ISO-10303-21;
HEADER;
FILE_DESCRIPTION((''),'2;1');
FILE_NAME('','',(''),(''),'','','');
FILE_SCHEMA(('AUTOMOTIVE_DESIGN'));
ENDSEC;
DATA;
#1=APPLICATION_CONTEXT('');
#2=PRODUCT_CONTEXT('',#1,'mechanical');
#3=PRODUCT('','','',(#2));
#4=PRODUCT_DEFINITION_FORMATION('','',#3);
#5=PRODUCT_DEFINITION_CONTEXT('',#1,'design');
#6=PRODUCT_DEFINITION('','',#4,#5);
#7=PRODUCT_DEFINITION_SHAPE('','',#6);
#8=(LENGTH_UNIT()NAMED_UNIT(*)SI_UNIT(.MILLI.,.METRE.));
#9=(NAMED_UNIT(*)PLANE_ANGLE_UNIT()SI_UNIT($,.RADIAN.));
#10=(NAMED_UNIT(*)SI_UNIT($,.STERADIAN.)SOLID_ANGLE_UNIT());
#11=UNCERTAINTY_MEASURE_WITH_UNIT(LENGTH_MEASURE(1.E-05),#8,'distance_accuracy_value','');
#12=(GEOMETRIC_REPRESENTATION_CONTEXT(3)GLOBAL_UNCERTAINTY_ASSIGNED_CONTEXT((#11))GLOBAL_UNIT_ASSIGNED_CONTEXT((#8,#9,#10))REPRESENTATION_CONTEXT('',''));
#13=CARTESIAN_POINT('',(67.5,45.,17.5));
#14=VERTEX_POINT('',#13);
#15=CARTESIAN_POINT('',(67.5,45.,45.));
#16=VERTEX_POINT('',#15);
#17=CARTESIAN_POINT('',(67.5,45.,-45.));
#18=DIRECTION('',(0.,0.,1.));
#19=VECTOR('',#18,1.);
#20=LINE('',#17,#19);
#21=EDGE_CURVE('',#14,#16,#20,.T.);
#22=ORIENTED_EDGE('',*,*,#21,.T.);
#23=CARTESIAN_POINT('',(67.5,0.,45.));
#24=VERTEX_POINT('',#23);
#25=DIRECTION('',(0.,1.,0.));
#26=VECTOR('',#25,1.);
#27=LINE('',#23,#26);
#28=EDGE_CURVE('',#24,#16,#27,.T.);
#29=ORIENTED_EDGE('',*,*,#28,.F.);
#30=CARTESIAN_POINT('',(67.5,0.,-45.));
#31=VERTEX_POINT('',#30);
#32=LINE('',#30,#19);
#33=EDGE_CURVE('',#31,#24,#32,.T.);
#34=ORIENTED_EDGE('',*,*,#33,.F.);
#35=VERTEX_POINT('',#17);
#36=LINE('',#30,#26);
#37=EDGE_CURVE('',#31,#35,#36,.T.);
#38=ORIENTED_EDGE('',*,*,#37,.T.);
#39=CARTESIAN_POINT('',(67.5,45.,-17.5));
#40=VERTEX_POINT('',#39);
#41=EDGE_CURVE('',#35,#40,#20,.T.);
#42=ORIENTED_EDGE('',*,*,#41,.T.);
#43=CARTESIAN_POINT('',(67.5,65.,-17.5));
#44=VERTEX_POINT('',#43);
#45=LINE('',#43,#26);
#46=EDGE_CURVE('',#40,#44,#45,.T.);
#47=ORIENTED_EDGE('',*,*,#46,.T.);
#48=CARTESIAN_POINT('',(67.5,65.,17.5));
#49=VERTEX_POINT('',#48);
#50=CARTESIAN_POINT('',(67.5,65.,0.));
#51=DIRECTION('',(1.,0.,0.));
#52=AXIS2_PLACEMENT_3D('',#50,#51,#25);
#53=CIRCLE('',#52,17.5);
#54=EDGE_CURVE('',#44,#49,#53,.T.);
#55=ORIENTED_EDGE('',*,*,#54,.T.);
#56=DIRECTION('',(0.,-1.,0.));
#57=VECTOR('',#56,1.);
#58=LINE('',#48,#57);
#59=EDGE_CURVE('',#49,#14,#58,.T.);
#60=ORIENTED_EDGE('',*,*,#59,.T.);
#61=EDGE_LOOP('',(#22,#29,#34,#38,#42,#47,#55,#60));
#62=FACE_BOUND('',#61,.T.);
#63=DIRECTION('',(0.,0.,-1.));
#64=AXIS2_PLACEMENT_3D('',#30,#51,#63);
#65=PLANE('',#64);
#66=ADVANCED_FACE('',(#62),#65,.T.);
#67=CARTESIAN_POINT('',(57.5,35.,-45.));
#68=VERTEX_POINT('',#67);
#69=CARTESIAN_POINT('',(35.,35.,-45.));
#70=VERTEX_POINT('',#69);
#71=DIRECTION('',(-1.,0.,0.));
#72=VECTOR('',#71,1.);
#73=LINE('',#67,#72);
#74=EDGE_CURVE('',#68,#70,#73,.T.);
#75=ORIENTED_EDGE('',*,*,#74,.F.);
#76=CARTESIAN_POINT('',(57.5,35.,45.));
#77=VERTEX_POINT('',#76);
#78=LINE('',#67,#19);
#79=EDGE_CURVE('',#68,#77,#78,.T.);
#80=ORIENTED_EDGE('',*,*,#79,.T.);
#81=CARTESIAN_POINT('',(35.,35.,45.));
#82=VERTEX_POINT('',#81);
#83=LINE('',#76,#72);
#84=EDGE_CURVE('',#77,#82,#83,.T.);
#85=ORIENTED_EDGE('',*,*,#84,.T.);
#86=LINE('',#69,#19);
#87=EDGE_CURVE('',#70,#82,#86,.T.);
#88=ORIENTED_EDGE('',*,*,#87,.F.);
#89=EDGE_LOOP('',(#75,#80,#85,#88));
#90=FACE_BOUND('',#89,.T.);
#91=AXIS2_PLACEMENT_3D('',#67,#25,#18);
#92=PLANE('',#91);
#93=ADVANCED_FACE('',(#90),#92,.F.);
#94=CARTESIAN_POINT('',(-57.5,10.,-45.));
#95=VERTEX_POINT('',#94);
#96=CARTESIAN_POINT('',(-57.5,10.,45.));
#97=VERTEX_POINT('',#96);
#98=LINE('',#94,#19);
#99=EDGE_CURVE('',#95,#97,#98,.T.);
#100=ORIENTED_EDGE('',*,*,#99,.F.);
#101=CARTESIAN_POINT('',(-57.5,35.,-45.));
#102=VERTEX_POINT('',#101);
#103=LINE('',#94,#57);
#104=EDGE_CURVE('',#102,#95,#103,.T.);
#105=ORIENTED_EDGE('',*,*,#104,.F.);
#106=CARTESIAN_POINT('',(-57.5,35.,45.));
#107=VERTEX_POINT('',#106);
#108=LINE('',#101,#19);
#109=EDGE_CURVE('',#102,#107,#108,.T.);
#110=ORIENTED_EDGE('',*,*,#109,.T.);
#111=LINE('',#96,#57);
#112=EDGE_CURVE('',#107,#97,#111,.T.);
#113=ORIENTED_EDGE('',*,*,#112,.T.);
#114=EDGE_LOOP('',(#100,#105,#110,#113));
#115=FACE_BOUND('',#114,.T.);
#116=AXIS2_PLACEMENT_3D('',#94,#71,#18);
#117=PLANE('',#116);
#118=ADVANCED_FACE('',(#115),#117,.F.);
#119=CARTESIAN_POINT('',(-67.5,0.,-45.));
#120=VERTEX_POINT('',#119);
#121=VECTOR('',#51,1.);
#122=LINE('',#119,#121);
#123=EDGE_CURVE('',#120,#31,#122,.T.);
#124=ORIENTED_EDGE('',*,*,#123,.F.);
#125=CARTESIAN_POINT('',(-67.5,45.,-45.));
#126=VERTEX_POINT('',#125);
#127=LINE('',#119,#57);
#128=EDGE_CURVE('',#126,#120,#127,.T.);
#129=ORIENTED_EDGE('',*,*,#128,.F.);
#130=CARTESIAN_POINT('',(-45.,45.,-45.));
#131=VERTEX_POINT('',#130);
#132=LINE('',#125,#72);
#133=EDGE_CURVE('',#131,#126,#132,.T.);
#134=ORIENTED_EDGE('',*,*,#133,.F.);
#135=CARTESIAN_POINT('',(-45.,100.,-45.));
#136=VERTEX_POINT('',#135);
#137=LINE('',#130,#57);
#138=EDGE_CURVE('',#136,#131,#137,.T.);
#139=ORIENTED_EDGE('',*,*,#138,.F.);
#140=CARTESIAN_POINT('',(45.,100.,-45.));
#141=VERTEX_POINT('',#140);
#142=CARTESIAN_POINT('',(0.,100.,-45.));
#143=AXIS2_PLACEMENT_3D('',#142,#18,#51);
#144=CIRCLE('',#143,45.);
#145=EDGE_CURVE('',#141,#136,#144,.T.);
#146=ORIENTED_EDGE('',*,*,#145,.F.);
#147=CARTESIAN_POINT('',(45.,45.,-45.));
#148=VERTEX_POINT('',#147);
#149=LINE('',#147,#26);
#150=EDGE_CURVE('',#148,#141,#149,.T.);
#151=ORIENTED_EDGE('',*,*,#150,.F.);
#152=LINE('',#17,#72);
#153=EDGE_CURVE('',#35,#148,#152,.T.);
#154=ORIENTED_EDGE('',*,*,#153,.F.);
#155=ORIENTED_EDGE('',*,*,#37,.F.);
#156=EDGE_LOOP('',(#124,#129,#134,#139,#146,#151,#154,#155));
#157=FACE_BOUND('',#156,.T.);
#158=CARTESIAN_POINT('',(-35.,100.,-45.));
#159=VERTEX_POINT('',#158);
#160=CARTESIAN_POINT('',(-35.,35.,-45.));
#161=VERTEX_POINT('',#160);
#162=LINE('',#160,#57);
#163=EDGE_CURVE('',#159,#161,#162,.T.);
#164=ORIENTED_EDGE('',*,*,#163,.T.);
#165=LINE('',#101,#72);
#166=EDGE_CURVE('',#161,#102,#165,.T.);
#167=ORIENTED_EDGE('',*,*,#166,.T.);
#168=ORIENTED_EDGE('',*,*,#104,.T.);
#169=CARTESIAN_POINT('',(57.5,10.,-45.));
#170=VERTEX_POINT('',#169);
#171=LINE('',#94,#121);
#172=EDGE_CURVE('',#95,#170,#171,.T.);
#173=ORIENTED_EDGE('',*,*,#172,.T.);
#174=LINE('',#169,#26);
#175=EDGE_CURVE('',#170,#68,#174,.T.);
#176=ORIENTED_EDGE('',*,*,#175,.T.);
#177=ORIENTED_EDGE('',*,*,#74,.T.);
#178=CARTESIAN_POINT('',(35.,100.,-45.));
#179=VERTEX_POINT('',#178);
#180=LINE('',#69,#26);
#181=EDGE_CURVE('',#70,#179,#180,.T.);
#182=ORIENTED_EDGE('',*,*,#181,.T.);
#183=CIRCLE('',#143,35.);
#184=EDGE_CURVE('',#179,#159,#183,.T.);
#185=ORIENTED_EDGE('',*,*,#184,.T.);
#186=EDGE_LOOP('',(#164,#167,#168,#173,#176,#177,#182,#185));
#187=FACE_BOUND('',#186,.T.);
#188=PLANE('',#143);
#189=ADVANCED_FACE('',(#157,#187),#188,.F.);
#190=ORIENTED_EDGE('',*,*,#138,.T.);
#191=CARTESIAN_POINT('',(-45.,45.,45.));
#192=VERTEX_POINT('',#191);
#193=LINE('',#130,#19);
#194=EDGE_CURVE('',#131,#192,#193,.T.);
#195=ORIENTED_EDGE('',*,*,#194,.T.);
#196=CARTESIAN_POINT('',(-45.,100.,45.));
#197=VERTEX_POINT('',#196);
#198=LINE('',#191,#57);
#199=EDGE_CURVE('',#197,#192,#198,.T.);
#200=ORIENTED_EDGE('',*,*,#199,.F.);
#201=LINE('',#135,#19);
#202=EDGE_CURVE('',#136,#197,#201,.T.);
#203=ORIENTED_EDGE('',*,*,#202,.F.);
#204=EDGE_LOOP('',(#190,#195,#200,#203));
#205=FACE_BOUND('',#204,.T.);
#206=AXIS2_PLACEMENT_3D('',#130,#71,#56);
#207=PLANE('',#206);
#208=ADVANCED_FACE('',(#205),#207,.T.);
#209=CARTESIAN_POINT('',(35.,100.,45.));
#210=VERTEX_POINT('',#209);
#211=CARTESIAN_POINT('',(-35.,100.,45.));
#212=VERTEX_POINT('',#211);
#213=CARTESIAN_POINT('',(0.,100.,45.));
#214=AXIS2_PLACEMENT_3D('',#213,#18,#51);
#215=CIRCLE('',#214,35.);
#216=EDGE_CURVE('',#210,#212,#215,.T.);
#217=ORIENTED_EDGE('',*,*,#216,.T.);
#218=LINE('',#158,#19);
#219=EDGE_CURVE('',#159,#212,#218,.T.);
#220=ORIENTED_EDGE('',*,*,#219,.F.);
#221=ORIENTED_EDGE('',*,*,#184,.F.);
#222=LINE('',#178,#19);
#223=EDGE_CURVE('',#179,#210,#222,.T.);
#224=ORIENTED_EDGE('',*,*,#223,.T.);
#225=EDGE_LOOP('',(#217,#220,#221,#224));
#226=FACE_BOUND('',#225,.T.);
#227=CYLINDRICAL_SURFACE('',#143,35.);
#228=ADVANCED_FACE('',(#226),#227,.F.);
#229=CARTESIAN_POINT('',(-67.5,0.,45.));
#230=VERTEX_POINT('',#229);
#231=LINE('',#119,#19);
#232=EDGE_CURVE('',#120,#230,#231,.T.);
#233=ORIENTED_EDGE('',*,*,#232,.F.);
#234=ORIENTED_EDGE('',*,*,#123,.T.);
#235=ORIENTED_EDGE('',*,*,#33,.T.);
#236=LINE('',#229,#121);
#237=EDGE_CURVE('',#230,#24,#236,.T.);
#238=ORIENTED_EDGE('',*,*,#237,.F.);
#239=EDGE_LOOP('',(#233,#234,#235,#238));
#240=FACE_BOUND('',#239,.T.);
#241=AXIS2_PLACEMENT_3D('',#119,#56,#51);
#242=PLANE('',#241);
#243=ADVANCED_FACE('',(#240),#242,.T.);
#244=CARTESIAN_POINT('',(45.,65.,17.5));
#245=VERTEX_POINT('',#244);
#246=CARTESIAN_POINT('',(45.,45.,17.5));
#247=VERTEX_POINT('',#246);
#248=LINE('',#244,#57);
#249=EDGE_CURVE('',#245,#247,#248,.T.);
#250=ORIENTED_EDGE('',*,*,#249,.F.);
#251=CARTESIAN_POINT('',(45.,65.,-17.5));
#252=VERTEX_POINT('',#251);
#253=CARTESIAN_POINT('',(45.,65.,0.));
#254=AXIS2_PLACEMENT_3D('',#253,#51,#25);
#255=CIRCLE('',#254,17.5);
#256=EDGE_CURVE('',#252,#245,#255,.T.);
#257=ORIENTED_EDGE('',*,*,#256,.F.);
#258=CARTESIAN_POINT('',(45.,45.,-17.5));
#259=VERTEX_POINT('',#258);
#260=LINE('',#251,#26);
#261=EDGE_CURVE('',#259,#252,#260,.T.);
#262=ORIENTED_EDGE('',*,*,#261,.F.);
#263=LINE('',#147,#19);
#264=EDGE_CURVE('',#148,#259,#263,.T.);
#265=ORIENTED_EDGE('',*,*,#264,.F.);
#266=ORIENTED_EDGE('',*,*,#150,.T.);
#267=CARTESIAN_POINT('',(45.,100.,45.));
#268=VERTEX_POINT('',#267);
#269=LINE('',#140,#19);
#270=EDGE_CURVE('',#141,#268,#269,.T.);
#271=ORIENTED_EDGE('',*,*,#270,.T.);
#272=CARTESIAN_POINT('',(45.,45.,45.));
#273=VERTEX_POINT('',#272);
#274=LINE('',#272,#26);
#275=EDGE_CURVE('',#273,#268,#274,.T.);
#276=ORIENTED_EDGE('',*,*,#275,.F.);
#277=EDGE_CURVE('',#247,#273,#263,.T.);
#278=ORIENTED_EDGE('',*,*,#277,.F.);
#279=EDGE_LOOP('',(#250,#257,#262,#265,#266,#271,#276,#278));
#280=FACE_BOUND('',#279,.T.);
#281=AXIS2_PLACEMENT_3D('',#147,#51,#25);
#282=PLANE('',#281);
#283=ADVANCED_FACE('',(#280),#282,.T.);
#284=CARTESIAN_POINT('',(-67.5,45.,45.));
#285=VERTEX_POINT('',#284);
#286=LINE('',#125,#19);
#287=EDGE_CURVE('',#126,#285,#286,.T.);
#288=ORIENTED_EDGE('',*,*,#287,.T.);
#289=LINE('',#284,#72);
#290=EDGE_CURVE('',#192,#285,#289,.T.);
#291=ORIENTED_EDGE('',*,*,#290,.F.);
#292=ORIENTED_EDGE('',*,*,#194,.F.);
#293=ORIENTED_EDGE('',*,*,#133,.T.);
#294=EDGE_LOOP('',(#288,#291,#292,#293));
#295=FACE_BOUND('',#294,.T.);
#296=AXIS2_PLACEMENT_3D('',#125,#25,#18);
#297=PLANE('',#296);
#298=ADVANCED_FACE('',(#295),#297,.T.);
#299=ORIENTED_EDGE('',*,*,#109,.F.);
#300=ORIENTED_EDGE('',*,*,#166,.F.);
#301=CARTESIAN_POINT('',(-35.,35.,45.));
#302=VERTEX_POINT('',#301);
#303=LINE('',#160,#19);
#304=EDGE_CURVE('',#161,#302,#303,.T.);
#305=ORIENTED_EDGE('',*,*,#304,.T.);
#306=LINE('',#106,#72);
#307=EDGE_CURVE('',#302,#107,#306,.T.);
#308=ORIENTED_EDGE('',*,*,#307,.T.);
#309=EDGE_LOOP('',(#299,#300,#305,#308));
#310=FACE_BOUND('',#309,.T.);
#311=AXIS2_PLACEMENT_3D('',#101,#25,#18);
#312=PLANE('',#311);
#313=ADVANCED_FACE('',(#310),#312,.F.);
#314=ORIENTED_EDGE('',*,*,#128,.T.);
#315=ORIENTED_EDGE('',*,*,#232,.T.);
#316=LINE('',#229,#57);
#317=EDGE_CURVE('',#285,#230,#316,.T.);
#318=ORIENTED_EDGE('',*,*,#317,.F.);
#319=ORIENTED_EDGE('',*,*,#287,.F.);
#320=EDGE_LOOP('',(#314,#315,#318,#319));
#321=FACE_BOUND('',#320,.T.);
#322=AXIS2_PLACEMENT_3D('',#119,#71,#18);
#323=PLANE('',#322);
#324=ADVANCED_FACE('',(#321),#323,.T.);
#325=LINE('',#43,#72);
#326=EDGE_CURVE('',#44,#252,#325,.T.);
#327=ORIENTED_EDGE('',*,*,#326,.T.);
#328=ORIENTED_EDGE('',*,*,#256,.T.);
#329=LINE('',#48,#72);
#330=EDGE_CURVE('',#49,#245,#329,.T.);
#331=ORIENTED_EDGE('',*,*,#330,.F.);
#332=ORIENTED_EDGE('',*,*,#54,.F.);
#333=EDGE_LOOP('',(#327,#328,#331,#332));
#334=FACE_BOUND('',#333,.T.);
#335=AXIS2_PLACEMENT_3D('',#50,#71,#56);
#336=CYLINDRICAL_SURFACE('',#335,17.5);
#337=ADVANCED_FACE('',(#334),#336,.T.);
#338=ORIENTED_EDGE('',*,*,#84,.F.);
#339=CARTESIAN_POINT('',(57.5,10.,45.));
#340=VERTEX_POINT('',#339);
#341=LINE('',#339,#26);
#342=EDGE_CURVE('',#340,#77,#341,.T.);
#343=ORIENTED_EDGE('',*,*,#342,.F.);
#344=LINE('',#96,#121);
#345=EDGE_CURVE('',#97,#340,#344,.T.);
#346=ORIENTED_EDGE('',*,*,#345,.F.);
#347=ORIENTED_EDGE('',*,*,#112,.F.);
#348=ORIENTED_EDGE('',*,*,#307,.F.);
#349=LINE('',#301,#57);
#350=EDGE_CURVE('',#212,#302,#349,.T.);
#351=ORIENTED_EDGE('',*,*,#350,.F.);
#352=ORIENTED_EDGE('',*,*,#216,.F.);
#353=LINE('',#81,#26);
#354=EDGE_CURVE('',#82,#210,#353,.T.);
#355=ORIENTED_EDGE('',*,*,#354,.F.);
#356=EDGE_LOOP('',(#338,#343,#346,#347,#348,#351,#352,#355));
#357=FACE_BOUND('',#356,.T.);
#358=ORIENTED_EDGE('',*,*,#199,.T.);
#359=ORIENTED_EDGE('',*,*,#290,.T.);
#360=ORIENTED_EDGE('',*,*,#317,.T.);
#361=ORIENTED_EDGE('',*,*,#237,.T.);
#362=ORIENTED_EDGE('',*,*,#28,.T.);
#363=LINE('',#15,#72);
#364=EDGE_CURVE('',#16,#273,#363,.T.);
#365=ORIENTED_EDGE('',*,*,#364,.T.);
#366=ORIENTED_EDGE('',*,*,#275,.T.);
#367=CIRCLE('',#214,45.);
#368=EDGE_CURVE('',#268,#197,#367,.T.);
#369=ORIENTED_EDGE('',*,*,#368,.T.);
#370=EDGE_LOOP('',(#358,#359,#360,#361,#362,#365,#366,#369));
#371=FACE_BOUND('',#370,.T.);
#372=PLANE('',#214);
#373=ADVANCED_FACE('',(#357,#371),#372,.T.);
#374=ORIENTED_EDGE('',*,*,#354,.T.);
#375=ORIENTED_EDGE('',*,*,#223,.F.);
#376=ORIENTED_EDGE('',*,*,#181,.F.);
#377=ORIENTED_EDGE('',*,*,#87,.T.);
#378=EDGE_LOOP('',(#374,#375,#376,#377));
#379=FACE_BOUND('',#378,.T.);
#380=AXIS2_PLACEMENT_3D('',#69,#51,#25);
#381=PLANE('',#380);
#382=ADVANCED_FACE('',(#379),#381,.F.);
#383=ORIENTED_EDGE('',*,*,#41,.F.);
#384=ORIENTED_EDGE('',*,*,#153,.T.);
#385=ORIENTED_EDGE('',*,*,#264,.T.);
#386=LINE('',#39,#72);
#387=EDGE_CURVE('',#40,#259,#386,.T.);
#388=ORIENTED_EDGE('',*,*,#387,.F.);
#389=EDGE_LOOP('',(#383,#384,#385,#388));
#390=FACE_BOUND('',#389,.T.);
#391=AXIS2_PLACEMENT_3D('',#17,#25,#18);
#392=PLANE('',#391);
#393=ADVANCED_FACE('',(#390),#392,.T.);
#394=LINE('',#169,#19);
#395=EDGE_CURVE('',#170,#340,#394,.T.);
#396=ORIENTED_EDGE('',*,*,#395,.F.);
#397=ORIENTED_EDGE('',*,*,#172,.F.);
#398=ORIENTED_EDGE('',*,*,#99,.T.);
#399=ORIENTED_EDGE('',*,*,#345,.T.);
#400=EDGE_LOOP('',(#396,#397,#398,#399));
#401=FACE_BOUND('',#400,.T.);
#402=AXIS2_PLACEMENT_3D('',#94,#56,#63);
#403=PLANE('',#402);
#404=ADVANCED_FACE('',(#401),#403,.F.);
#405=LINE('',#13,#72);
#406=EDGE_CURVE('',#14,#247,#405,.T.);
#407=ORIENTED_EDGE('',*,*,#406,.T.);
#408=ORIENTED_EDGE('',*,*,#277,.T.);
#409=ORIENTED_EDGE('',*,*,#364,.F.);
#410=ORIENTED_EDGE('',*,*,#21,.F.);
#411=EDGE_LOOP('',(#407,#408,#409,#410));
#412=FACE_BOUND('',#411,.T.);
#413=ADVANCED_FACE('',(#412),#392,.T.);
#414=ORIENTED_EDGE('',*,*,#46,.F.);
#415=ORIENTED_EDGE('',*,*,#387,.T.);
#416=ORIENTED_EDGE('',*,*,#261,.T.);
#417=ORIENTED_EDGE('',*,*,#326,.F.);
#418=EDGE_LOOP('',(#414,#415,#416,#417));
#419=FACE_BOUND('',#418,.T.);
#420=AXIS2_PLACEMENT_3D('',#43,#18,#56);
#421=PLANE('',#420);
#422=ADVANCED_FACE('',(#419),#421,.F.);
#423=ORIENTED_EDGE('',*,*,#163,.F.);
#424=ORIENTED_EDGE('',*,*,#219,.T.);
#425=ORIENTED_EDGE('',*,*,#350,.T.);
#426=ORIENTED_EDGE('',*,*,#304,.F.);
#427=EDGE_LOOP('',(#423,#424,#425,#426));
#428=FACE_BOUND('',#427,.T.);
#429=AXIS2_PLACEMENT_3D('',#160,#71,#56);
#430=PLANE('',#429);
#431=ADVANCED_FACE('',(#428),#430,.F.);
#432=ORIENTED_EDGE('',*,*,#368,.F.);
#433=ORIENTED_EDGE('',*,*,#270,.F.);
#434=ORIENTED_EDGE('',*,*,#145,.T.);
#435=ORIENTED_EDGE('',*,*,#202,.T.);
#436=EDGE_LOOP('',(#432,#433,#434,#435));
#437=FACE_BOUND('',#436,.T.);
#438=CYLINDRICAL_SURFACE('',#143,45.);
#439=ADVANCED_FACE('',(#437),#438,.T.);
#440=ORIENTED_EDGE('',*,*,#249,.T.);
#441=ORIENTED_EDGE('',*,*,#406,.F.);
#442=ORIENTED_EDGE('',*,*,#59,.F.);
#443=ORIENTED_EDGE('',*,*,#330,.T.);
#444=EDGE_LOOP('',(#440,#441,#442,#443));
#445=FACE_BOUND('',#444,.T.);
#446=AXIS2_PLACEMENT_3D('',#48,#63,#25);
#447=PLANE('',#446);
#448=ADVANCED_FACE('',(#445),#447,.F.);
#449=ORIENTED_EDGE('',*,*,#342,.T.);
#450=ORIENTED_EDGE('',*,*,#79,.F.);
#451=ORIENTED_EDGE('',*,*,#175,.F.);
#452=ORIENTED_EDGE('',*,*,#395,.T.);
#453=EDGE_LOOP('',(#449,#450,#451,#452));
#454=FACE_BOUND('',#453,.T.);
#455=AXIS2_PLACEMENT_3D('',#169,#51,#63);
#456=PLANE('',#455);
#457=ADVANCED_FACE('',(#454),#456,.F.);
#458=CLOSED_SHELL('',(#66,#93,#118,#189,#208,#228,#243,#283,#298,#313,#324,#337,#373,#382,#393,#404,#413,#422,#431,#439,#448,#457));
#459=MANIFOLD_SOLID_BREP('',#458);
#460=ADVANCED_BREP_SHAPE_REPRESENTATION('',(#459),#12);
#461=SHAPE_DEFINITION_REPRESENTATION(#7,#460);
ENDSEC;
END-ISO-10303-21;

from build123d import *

# Parameters (mm, degrees)
BOSS_EXTRUDE1_DEPTH      = 45
BOSS_EXTRUDE1_DEPTH_BACK = 45
BOSS_EXTRUDE2_DEPTH      = 22.5


with BuildPart() as part:
    # Sketch1 → Boss-Extrude1 (new, two sides: drawn at the far end of the back side and taken through both)
    with BuildSketch(Plane.XY.offset(-BOSS_EXTRUDE1_DEPTH_BACK)):
        with BuildLine():
            Line((-67.5, 0), (67.5, 0))
            Line((67.5, 0), (67.5, 45))
            Line((67.5, 45), (45, 45))
            Line((45, 45), (45, 100))
            ThreePointArc((45, 100), (0, 145), (-45, 100))
            Line((-45, 100), (-45, 45))
            Line((-45, 45), (-67.5, 45))
            Line((-67.5, 45), (-67.5, 0))
        make_face()
        with BuildLine():
            Line((-35, 35), (-35, 100))
            ThreePointArc((-35, 100), (0, 135), (35, 100))
            Line((35, 100), (35, 35))
            Line((35, 35), (57.5, 35))
            Line((57.5, 35), (57.5, 10))
            Line((57.5, 10), (-57.5, 10))
            Line((-57.5, 10), (-57.5, 35))
            Line((-57.5, 35), (-35, 35))
        make_face(mode=Mode.SUBTRACT)
    extrude(amount=BOSS_EXTRUDE1_DEPTH + BOSS_EXTRUDE1_DEPTH_BACK)

    # Sketch2 → Boss-Extrude2 (add)
    with BuildSketch(Plane(origin=(45, 0, 0), x_dir=(0, 0, -1), z_dir=(1, 0, 0))):
        with BuildLine():
            Line((17.5, 65), (17.5, 45))
            Line((17.5, 45), (-17.5, 45))
            Line((-17.5, 45), (-17.5, 65))
            ThreePointArc((-17.5, 65), (0, 82.5), (17.5, 65))
        make_face()
    extrude(amount=BOSS_EXTRUDE2_DEPTH)


solid = part.part
